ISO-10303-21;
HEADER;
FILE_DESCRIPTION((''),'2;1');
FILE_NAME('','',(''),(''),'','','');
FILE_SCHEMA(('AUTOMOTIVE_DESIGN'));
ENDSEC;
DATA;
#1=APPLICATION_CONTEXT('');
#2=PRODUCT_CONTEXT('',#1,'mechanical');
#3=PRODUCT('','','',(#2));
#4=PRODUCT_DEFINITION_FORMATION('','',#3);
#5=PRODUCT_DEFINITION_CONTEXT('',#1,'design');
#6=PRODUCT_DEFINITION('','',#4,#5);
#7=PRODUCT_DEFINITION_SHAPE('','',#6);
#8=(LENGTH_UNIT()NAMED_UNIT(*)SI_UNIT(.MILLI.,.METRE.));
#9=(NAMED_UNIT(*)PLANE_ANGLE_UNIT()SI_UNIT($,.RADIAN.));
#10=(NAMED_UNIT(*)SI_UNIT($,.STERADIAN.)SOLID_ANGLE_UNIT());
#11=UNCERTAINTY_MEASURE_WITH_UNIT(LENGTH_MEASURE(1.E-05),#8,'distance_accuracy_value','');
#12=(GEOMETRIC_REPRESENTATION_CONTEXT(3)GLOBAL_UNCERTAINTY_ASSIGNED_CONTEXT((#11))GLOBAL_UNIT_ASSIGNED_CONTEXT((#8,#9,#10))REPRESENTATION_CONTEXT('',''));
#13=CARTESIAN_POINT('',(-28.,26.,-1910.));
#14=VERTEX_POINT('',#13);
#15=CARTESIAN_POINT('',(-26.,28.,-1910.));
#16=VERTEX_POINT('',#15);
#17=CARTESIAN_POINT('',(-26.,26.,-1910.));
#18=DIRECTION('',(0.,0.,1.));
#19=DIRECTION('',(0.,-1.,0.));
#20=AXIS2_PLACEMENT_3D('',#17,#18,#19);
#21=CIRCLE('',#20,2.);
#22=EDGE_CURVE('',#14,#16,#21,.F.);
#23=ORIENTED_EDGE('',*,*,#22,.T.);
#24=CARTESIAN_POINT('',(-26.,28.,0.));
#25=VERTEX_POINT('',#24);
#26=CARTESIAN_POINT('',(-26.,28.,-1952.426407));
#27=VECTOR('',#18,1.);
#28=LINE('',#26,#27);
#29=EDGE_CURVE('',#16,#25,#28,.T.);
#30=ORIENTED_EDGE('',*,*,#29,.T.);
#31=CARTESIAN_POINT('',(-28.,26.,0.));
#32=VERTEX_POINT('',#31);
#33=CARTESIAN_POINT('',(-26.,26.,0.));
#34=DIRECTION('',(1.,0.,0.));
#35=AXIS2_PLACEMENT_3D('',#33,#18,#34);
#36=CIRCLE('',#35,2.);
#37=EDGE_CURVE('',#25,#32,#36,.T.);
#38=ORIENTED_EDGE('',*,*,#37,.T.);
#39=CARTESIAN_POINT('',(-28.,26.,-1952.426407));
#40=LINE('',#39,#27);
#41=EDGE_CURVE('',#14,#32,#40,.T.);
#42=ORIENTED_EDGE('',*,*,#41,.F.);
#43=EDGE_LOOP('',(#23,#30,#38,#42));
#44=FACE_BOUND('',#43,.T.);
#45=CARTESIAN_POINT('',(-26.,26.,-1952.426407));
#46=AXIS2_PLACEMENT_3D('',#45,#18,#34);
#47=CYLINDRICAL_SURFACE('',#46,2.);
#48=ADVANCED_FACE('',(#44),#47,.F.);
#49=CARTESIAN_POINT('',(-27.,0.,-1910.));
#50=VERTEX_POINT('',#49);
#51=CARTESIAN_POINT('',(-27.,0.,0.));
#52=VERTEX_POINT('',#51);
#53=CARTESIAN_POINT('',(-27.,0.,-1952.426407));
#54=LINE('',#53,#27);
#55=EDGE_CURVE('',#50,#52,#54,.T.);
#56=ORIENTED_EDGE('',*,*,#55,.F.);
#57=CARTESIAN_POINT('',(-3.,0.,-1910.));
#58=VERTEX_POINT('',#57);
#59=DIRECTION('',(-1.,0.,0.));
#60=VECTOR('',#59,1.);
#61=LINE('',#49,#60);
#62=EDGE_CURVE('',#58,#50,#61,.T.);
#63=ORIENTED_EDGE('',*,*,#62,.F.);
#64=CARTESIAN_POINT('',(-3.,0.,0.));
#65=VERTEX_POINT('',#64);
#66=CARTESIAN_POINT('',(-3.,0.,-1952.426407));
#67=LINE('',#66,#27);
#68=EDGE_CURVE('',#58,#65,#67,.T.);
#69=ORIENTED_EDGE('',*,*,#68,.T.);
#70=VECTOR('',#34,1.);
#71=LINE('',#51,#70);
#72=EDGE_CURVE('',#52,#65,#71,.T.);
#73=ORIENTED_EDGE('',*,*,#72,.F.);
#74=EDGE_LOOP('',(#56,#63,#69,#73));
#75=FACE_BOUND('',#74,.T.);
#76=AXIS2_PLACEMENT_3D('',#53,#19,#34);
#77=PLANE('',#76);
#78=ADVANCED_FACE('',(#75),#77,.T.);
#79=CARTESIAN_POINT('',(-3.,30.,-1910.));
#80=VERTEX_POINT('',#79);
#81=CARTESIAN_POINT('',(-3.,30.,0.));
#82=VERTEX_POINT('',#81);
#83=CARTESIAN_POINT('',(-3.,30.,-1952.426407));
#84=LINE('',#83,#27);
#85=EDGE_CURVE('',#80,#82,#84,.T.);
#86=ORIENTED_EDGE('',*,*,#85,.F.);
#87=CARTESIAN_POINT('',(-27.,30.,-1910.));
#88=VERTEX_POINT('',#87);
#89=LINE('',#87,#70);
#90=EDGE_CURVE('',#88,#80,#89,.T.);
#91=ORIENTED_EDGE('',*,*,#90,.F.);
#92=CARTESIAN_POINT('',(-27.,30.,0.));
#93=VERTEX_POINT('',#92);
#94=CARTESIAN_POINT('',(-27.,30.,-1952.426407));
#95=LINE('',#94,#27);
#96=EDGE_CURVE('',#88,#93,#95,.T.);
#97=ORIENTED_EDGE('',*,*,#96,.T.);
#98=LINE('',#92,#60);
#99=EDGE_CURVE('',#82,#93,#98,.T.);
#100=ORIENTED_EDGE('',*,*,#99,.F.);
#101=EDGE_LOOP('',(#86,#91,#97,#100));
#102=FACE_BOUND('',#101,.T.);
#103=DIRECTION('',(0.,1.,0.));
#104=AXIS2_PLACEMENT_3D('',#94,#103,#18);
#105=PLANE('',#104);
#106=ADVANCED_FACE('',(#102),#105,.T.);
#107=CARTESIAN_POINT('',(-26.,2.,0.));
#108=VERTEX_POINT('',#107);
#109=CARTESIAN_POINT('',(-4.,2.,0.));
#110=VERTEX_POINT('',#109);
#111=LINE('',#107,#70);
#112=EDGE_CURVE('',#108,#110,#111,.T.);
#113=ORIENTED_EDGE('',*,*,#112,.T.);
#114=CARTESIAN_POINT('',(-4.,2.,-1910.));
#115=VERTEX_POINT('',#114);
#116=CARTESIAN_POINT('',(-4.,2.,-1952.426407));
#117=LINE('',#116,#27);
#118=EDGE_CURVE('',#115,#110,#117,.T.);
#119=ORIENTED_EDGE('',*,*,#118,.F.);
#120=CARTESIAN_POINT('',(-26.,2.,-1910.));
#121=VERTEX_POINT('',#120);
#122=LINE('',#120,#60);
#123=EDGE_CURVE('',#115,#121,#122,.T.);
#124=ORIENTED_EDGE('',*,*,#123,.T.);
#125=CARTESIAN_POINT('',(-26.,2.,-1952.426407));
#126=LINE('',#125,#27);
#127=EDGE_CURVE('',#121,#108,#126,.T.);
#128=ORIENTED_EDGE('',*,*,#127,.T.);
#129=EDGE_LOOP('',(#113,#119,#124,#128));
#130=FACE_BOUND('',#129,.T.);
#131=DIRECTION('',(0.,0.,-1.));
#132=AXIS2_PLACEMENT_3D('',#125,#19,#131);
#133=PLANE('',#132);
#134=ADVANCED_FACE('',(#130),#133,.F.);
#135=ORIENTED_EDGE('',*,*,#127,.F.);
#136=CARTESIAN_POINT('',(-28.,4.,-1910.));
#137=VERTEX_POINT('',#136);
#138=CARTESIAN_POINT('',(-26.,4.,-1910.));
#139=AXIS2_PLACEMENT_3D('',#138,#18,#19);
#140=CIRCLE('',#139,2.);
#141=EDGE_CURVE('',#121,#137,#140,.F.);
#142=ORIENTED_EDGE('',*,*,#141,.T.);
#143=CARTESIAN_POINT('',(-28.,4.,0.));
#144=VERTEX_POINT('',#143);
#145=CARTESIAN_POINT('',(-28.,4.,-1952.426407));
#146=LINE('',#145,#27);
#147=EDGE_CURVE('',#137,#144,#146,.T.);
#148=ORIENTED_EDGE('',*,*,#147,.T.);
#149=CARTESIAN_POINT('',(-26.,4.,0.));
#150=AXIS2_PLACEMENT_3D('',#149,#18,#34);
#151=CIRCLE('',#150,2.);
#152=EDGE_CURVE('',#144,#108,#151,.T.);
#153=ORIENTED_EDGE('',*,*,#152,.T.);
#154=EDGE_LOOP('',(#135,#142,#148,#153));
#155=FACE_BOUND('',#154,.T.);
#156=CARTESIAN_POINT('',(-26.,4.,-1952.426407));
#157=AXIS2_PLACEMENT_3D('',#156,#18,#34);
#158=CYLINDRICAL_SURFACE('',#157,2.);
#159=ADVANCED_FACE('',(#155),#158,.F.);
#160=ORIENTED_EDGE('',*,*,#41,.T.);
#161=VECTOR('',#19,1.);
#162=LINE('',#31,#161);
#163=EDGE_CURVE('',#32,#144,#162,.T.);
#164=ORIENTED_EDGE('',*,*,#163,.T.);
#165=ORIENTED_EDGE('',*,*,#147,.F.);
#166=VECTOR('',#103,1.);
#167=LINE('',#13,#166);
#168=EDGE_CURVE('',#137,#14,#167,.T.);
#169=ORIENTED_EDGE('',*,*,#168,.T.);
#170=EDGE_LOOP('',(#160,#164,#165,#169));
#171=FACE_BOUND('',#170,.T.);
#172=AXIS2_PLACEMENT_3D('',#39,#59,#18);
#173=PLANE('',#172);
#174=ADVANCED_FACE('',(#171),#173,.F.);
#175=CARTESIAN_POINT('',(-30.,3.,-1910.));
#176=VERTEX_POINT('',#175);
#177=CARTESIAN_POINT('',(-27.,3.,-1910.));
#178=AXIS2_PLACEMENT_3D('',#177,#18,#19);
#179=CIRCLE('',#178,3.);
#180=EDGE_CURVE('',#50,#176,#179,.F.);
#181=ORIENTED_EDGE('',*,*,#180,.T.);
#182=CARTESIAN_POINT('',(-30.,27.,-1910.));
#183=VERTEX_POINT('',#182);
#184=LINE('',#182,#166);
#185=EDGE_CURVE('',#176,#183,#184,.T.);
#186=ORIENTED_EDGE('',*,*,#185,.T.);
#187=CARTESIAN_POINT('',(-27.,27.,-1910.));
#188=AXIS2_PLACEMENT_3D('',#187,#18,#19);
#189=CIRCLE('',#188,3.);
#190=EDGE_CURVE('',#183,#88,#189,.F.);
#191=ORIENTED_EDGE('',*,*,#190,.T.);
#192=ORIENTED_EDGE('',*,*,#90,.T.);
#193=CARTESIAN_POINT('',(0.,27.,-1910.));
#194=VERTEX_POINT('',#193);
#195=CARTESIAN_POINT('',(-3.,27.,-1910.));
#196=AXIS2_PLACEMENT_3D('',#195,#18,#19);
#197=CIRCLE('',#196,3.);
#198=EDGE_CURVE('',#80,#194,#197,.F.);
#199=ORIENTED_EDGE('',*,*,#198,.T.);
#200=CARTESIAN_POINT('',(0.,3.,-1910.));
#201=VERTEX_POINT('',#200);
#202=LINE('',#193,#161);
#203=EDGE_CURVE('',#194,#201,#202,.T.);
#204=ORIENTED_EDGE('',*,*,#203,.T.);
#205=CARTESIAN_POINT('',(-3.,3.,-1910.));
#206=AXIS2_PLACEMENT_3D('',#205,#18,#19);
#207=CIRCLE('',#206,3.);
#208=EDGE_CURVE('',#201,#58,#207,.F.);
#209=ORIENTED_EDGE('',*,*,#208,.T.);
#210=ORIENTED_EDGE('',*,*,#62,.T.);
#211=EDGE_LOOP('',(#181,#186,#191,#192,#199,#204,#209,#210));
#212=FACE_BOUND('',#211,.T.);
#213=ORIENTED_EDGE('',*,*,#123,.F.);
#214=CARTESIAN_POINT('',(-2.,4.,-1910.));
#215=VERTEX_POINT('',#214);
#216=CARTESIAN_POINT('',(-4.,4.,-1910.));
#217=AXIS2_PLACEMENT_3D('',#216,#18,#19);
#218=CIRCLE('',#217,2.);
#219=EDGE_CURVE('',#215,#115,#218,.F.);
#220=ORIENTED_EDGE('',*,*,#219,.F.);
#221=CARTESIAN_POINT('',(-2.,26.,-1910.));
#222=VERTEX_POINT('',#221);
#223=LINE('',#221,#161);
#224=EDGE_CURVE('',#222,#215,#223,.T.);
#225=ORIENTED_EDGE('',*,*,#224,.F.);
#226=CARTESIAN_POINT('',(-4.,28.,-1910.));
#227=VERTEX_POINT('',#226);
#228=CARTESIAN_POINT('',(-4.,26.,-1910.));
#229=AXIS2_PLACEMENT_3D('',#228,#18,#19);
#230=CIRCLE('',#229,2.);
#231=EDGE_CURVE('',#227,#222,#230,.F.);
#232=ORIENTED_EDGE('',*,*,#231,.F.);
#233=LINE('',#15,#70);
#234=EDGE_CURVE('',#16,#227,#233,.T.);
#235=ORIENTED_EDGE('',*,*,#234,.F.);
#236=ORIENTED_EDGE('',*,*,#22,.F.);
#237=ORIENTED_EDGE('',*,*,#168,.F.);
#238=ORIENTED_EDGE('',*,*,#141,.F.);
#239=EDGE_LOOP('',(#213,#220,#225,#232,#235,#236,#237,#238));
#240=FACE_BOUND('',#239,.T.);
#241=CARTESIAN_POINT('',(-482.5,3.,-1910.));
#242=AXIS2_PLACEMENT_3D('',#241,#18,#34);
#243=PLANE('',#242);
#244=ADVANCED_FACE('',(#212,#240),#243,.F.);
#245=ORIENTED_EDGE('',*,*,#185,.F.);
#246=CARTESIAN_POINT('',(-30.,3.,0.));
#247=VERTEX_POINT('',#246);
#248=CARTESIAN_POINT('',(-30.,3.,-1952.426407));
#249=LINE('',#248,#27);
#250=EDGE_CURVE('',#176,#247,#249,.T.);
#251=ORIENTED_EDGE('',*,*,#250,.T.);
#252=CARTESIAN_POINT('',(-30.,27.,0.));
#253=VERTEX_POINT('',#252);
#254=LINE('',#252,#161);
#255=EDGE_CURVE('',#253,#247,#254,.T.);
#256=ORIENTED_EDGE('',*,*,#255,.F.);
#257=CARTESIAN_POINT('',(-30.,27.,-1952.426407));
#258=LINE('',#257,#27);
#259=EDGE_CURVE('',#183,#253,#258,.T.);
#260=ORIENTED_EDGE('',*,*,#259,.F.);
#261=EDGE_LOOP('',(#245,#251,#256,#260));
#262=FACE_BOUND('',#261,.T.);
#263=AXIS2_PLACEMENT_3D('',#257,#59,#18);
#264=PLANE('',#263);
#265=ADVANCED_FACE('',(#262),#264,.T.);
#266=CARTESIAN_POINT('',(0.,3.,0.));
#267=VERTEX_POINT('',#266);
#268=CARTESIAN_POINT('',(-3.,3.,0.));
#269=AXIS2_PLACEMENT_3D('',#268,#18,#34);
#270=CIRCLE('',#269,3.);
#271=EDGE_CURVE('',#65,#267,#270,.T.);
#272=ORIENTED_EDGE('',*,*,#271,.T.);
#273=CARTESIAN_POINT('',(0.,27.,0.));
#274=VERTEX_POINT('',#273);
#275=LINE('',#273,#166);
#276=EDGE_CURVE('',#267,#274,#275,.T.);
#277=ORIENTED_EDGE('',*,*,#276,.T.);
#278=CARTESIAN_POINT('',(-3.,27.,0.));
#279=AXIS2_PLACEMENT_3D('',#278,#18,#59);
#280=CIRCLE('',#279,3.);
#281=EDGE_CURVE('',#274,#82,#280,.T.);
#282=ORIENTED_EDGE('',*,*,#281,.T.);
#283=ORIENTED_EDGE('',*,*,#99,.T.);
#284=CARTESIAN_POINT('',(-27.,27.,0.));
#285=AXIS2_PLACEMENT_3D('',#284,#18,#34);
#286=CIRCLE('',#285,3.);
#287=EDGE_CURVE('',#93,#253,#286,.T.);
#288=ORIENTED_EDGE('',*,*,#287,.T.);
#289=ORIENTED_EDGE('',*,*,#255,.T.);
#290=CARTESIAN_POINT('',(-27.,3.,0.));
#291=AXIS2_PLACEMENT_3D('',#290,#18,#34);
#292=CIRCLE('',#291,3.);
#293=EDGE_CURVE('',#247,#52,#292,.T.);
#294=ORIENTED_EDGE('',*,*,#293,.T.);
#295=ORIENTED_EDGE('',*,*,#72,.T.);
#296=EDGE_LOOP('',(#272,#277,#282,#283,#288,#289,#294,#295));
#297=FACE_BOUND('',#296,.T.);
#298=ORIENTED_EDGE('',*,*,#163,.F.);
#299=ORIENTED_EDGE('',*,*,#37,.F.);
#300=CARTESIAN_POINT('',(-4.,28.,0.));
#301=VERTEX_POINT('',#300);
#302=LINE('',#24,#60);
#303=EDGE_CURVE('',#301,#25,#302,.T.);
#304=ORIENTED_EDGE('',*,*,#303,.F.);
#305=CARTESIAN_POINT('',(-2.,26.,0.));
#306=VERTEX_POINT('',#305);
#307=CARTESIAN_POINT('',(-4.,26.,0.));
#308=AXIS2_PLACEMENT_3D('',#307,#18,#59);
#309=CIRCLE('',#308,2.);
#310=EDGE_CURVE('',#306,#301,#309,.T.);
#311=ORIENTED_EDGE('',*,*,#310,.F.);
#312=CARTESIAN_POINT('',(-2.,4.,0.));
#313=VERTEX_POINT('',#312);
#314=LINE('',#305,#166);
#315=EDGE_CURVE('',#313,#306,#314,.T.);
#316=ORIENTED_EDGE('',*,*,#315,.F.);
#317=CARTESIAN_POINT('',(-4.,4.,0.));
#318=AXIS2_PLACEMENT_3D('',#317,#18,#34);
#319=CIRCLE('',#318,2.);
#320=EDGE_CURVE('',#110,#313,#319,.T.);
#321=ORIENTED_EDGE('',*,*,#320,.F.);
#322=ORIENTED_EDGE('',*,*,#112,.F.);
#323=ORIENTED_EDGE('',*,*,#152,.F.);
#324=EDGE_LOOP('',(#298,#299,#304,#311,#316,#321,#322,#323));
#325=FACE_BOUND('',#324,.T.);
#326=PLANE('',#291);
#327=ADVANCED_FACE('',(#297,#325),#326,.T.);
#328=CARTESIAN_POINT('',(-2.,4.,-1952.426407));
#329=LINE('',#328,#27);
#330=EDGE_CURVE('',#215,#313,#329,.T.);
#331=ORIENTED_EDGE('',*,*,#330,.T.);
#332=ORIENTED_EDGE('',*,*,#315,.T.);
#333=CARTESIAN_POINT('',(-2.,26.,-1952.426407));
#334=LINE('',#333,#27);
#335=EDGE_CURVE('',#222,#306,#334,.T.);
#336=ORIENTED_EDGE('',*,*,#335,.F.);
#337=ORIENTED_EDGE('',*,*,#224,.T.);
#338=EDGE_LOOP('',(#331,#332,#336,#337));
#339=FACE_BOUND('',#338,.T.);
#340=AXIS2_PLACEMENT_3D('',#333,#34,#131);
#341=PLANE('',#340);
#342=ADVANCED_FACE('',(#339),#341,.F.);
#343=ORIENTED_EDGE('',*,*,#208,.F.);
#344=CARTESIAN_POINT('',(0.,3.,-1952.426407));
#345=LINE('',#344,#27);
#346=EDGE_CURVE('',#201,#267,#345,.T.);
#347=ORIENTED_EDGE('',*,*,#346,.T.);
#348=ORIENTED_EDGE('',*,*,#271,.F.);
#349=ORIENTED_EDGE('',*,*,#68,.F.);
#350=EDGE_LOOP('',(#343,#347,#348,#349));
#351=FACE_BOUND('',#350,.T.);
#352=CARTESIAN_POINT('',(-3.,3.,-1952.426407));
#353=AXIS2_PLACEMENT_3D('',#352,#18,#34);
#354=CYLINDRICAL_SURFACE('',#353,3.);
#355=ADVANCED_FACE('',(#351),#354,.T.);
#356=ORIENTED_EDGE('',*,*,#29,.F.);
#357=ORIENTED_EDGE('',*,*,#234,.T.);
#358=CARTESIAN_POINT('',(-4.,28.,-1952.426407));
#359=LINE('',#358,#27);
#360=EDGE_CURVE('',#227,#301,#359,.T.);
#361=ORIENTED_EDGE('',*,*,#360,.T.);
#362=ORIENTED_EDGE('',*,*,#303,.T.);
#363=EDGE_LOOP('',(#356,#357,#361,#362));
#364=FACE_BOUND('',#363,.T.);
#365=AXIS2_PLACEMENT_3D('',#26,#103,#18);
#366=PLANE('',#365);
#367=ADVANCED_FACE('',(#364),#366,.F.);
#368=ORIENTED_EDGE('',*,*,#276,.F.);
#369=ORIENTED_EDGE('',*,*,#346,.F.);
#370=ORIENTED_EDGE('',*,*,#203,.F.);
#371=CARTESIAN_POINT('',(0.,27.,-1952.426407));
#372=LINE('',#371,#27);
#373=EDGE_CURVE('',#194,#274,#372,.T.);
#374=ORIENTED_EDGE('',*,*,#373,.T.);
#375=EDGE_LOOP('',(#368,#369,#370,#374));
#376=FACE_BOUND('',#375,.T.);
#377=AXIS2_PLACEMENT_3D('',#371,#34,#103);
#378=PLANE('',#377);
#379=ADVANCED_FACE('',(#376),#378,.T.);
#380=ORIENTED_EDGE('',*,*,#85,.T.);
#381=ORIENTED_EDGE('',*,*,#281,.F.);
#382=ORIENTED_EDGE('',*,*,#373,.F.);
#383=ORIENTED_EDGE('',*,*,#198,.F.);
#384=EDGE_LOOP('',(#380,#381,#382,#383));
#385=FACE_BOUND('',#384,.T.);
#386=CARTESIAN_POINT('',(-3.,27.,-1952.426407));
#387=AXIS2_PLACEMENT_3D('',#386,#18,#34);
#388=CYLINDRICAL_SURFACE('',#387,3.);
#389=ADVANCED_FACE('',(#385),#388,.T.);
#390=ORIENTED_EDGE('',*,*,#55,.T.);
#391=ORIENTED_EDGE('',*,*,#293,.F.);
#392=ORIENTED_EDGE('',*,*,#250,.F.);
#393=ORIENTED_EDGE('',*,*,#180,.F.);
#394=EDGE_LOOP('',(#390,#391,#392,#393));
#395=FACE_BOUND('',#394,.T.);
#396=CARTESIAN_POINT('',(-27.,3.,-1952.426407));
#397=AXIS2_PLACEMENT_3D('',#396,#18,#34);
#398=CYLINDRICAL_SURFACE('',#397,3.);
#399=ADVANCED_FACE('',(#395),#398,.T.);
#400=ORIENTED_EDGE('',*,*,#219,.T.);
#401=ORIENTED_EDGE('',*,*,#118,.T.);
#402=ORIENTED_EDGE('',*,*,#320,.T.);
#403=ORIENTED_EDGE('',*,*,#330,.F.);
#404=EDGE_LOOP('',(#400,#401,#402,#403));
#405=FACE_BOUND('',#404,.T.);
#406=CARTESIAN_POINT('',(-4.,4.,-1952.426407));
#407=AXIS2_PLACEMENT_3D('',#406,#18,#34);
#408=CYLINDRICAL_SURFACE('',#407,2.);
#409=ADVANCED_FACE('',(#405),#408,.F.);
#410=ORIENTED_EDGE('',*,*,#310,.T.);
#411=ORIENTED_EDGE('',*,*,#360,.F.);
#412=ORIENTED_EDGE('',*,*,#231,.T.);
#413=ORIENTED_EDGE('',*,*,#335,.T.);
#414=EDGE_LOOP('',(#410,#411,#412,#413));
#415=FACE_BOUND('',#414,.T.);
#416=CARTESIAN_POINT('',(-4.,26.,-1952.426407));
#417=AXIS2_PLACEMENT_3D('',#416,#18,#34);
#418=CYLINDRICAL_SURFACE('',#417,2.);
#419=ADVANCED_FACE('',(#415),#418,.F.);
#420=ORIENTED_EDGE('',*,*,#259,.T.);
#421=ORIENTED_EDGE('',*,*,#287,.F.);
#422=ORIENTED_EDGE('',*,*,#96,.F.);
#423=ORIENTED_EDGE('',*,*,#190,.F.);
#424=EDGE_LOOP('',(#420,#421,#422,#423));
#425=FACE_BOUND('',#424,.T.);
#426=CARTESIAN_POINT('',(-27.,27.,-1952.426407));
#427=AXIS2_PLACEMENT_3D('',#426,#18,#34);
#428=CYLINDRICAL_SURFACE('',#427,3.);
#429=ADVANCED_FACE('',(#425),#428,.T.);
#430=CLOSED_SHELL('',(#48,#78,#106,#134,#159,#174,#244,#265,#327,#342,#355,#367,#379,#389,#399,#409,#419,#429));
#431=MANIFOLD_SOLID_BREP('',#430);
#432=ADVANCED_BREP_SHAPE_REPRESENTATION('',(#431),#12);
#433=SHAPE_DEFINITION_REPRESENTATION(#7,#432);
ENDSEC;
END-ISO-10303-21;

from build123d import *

# Parameters (mm, degrees)
EXTRUDE_1_DEPTH = 1910


with BuildPart() as part:
    # Эскиз1 → Бобышка-Вытянуть1 (new body)
    with BuildSketch(Plane.XY):
        with BuildLine():
            Line((-27, 30), (-3, 30))
            ThreePointArc((-3, 30), (-0.878679656, 29.121320344), (0, 27))
            Line((0, 27), (0, 3))
            ThreePointArc((0, 3), (-0.878679656, 0.878679656), (-3, 0))
            Line((-3, 0), (-27, 0))
            ThreePointArc((-27, 0), (-29.121320344, 0.878679656), (-30, 3))
            Line((-30, 3), (-30, 27))
            ThreePointArc((-30, 27), (-29.121320344, 29.121320344), (-27, 30))
        make_face()
        with BuildLine():
            Line((-26, 28), (-4, 28))
            ThreePointArc((-4, 28), (-2.585786438, 27.414213562), (-2, 26))
            Line((-2, 26), (-2, 4))
            ThreePointArc((-2, 4), (-2.585786438, 2.585786438), (-4, 2))
            Line((-4, 2), (-26, 2))
            ThreePointArc((-26, 2), (-27.414213562, 2.585786438), (-28, 4))
            Line((-28, 4), (-28, 26))
            ThreePointArc((-28, 26), (-27.414213562, 27.414213562), (-26, 28))
        make_face(mode=Mode.SUBTRACT)
    extrude(amount=-EXTRUDE_1_DEPTH)


solid = part.part
